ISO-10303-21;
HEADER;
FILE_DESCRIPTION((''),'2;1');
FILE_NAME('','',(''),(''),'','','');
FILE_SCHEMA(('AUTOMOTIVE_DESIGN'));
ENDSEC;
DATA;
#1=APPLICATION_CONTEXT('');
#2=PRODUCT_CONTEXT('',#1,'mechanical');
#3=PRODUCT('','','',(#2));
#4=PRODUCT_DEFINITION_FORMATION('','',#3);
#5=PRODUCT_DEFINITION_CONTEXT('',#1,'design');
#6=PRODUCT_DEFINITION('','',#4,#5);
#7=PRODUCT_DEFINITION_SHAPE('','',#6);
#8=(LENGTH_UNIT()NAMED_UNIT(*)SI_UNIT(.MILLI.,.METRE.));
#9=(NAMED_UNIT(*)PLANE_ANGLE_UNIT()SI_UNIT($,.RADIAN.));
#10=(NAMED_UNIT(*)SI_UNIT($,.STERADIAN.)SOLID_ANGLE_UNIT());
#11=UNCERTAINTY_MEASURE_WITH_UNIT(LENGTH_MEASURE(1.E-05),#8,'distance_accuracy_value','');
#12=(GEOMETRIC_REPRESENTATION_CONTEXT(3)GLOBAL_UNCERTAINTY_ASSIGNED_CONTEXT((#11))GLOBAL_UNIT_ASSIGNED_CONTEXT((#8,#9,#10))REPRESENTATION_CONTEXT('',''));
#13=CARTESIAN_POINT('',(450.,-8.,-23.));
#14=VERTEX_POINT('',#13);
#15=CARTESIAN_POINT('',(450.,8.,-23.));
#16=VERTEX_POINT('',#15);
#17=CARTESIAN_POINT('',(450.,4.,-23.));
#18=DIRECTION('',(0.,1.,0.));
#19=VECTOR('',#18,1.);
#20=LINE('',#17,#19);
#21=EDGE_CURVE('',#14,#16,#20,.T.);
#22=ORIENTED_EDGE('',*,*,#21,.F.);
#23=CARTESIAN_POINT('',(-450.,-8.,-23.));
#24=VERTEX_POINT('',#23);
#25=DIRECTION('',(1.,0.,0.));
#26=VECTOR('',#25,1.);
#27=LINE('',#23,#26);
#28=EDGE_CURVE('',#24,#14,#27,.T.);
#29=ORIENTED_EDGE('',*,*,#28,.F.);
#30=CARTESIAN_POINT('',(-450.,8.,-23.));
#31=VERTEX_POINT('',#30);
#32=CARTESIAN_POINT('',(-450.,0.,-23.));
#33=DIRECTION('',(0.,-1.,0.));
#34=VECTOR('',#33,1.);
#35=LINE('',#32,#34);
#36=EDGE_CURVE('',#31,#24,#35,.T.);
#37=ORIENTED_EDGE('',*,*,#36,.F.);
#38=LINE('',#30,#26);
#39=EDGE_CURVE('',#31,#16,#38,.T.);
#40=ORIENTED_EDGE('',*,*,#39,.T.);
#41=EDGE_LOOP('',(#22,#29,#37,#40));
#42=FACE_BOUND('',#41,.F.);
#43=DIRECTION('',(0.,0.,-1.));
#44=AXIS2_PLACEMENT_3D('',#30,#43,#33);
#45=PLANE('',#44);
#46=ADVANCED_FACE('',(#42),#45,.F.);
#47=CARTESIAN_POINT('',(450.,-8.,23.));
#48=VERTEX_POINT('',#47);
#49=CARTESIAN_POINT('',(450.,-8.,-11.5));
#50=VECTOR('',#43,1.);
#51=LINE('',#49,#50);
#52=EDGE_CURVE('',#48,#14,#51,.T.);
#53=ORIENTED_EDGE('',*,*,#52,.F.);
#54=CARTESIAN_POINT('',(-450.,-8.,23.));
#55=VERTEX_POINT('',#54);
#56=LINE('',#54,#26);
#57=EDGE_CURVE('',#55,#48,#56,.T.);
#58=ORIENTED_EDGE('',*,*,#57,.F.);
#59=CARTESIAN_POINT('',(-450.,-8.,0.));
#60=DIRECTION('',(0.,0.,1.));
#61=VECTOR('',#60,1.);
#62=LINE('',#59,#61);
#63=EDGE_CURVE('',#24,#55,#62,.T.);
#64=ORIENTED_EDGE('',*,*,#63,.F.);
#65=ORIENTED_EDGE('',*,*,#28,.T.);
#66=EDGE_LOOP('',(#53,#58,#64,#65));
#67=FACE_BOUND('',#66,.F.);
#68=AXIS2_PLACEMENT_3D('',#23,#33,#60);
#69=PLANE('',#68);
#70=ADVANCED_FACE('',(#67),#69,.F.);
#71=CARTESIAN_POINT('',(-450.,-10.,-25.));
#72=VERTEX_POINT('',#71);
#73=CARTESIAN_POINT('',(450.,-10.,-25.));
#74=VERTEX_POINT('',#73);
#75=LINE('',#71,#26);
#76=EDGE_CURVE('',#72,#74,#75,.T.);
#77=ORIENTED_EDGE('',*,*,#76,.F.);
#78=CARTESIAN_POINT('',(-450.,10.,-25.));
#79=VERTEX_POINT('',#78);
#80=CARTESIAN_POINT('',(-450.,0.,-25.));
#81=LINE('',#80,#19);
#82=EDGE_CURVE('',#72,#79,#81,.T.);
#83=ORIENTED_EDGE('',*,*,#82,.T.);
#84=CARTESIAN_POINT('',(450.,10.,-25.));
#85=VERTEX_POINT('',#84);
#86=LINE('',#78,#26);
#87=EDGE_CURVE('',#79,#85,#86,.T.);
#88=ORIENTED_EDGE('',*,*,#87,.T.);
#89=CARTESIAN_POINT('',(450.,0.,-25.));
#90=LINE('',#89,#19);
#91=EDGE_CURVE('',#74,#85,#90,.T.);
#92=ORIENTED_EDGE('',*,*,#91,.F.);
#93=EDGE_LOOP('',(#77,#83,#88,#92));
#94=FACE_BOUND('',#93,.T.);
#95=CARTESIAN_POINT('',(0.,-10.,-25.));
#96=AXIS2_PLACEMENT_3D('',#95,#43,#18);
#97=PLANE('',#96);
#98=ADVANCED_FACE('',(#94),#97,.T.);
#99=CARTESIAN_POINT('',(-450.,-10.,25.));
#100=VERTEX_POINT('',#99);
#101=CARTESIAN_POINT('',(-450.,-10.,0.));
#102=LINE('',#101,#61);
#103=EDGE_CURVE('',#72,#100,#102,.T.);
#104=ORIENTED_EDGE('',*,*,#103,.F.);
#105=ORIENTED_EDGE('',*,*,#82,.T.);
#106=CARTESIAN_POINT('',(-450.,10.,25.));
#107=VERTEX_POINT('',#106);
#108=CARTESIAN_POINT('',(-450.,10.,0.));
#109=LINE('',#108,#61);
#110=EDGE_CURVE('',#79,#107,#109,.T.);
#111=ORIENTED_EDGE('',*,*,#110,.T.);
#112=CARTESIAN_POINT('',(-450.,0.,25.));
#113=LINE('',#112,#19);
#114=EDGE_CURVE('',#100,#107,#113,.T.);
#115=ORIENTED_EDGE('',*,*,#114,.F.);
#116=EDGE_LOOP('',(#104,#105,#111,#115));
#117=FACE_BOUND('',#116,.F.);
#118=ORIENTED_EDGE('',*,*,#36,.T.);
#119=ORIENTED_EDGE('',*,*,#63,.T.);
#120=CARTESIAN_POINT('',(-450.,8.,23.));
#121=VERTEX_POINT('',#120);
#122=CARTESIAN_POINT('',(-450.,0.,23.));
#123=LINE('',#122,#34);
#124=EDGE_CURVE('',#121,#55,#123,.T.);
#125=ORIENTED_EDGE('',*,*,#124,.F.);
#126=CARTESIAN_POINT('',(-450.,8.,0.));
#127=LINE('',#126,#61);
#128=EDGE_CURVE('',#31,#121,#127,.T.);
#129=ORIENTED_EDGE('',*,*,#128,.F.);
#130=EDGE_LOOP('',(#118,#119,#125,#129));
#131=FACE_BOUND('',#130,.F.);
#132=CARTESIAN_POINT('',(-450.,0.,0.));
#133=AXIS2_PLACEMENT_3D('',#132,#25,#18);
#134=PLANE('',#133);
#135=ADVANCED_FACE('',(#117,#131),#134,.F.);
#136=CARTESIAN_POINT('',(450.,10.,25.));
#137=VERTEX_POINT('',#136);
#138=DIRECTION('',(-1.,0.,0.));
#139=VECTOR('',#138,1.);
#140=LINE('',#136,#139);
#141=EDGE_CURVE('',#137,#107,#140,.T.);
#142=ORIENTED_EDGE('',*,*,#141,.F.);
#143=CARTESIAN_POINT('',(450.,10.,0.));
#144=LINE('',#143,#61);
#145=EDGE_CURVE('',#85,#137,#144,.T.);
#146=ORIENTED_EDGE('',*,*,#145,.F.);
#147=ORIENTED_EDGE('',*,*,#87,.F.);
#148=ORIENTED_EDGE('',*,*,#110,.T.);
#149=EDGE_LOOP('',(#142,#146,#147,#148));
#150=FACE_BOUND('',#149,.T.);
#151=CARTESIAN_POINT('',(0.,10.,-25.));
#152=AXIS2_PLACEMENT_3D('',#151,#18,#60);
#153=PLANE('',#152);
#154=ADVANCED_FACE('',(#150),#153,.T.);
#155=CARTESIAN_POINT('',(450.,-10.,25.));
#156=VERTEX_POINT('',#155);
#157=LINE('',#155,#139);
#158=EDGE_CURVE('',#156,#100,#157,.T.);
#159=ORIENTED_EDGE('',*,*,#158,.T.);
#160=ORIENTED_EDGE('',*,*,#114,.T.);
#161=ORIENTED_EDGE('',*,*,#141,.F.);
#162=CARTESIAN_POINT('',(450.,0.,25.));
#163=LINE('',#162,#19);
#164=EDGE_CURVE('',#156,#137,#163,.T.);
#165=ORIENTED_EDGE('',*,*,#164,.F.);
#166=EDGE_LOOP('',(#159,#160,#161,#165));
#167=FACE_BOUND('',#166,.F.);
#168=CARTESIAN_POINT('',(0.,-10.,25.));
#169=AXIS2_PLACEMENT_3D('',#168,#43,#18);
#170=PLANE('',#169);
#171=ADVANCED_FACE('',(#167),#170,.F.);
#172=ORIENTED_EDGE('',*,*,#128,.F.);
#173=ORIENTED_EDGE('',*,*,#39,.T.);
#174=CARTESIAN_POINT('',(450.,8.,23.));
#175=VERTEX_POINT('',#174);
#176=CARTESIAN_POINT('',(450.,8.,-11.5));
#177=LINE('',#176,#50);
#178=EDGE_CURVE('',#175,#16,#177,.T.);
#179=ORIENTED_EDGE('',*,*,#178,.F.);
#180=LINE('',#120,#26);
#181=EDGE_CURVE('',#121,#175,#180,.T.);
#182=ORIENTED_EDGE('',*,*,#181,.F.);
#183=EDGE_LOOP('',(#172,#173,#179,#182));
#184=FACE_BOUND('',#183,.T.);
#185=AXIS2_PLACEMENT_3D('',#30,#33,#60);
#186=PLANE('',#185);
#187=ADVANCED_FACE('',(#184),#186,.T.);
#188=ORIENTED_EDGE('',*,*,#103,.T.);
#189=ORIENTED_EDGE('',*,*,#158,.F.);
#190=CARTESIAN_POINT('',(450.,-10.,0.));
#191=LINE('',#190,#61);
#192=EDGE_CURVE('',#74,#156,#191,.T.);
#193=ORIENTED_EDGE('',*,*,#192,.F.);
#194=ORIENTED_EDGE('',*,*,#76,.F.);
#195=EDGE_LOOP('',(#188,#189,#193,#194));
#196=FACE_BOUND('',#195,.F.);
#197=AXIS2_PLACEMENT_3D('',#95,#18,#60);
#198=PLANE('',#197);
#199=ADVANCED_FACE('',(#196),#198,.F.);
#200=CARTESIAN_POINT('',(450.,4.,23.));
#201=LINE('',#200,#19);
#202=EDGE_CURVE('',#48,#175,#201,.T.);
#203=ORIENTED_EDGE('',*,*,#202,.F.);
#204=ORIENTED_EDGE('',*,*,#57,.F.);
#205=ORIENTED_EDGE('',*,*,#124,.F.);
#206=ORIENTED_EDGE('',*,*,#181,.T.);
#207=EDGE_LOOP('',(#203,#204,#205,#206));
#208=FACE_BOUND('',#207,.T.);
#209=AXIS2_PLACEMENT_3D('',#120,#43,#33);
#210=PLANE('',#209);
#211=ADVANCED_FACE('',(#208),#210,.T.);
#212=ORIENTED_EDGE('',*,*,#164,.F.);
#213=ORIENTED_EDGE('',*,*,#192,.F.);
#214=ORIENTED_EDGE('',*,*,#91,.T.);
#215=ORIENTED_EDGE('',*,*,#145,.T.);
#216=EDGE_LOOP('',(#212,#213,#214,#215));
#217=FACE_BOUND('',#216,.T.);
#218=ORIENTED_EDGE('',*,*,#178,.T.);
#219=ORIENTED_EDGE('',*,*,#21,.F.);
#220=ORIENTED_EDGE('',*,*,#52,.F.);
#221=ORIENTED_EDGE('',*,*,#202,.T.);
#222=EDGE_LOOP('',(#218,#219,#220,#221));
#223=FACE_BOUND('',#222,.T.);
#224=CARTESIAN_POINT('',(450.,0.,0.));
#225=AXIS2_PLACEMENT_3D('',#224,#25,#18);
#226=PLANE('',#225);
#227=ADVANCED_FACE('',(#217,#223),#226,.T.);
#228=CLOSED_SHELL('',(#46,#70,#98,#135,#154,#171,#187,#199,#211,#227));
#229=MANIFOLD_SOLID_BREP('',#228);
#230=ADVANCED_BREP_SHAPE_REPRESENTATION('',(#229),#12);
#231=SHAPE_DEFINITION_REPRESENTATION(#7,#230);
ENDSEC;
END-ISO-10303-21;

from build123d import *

# Parameters (mm, degrees)
F0_W     = 20
F0_H     = 50
F1_DEPTH = 450
F2_W     = 16
F2_H     = 46
F3_DEPTH = 900.001


with BuildPart() as f1:
    # F0 (on Right) → F1 (new body, symmetric)
    with BuildSketch(Plane.YZ):
        Rectangle(F0_W, F0_H)
    extrude(amount=F1_DEPTH, both=True)

    # F2 (on face) → F3 (cut, through all)
    with BuildSketch(Plane(origin=(-450, 0, 0), x_dir=(0, -1, 0), z_dir=(-1, 0, 0))):
        Rectangle(F2_W, F2_H)
    extrude(amount=-F3_DEPTH, mode=Mode.SUBTRACT)


solid = f1.part
